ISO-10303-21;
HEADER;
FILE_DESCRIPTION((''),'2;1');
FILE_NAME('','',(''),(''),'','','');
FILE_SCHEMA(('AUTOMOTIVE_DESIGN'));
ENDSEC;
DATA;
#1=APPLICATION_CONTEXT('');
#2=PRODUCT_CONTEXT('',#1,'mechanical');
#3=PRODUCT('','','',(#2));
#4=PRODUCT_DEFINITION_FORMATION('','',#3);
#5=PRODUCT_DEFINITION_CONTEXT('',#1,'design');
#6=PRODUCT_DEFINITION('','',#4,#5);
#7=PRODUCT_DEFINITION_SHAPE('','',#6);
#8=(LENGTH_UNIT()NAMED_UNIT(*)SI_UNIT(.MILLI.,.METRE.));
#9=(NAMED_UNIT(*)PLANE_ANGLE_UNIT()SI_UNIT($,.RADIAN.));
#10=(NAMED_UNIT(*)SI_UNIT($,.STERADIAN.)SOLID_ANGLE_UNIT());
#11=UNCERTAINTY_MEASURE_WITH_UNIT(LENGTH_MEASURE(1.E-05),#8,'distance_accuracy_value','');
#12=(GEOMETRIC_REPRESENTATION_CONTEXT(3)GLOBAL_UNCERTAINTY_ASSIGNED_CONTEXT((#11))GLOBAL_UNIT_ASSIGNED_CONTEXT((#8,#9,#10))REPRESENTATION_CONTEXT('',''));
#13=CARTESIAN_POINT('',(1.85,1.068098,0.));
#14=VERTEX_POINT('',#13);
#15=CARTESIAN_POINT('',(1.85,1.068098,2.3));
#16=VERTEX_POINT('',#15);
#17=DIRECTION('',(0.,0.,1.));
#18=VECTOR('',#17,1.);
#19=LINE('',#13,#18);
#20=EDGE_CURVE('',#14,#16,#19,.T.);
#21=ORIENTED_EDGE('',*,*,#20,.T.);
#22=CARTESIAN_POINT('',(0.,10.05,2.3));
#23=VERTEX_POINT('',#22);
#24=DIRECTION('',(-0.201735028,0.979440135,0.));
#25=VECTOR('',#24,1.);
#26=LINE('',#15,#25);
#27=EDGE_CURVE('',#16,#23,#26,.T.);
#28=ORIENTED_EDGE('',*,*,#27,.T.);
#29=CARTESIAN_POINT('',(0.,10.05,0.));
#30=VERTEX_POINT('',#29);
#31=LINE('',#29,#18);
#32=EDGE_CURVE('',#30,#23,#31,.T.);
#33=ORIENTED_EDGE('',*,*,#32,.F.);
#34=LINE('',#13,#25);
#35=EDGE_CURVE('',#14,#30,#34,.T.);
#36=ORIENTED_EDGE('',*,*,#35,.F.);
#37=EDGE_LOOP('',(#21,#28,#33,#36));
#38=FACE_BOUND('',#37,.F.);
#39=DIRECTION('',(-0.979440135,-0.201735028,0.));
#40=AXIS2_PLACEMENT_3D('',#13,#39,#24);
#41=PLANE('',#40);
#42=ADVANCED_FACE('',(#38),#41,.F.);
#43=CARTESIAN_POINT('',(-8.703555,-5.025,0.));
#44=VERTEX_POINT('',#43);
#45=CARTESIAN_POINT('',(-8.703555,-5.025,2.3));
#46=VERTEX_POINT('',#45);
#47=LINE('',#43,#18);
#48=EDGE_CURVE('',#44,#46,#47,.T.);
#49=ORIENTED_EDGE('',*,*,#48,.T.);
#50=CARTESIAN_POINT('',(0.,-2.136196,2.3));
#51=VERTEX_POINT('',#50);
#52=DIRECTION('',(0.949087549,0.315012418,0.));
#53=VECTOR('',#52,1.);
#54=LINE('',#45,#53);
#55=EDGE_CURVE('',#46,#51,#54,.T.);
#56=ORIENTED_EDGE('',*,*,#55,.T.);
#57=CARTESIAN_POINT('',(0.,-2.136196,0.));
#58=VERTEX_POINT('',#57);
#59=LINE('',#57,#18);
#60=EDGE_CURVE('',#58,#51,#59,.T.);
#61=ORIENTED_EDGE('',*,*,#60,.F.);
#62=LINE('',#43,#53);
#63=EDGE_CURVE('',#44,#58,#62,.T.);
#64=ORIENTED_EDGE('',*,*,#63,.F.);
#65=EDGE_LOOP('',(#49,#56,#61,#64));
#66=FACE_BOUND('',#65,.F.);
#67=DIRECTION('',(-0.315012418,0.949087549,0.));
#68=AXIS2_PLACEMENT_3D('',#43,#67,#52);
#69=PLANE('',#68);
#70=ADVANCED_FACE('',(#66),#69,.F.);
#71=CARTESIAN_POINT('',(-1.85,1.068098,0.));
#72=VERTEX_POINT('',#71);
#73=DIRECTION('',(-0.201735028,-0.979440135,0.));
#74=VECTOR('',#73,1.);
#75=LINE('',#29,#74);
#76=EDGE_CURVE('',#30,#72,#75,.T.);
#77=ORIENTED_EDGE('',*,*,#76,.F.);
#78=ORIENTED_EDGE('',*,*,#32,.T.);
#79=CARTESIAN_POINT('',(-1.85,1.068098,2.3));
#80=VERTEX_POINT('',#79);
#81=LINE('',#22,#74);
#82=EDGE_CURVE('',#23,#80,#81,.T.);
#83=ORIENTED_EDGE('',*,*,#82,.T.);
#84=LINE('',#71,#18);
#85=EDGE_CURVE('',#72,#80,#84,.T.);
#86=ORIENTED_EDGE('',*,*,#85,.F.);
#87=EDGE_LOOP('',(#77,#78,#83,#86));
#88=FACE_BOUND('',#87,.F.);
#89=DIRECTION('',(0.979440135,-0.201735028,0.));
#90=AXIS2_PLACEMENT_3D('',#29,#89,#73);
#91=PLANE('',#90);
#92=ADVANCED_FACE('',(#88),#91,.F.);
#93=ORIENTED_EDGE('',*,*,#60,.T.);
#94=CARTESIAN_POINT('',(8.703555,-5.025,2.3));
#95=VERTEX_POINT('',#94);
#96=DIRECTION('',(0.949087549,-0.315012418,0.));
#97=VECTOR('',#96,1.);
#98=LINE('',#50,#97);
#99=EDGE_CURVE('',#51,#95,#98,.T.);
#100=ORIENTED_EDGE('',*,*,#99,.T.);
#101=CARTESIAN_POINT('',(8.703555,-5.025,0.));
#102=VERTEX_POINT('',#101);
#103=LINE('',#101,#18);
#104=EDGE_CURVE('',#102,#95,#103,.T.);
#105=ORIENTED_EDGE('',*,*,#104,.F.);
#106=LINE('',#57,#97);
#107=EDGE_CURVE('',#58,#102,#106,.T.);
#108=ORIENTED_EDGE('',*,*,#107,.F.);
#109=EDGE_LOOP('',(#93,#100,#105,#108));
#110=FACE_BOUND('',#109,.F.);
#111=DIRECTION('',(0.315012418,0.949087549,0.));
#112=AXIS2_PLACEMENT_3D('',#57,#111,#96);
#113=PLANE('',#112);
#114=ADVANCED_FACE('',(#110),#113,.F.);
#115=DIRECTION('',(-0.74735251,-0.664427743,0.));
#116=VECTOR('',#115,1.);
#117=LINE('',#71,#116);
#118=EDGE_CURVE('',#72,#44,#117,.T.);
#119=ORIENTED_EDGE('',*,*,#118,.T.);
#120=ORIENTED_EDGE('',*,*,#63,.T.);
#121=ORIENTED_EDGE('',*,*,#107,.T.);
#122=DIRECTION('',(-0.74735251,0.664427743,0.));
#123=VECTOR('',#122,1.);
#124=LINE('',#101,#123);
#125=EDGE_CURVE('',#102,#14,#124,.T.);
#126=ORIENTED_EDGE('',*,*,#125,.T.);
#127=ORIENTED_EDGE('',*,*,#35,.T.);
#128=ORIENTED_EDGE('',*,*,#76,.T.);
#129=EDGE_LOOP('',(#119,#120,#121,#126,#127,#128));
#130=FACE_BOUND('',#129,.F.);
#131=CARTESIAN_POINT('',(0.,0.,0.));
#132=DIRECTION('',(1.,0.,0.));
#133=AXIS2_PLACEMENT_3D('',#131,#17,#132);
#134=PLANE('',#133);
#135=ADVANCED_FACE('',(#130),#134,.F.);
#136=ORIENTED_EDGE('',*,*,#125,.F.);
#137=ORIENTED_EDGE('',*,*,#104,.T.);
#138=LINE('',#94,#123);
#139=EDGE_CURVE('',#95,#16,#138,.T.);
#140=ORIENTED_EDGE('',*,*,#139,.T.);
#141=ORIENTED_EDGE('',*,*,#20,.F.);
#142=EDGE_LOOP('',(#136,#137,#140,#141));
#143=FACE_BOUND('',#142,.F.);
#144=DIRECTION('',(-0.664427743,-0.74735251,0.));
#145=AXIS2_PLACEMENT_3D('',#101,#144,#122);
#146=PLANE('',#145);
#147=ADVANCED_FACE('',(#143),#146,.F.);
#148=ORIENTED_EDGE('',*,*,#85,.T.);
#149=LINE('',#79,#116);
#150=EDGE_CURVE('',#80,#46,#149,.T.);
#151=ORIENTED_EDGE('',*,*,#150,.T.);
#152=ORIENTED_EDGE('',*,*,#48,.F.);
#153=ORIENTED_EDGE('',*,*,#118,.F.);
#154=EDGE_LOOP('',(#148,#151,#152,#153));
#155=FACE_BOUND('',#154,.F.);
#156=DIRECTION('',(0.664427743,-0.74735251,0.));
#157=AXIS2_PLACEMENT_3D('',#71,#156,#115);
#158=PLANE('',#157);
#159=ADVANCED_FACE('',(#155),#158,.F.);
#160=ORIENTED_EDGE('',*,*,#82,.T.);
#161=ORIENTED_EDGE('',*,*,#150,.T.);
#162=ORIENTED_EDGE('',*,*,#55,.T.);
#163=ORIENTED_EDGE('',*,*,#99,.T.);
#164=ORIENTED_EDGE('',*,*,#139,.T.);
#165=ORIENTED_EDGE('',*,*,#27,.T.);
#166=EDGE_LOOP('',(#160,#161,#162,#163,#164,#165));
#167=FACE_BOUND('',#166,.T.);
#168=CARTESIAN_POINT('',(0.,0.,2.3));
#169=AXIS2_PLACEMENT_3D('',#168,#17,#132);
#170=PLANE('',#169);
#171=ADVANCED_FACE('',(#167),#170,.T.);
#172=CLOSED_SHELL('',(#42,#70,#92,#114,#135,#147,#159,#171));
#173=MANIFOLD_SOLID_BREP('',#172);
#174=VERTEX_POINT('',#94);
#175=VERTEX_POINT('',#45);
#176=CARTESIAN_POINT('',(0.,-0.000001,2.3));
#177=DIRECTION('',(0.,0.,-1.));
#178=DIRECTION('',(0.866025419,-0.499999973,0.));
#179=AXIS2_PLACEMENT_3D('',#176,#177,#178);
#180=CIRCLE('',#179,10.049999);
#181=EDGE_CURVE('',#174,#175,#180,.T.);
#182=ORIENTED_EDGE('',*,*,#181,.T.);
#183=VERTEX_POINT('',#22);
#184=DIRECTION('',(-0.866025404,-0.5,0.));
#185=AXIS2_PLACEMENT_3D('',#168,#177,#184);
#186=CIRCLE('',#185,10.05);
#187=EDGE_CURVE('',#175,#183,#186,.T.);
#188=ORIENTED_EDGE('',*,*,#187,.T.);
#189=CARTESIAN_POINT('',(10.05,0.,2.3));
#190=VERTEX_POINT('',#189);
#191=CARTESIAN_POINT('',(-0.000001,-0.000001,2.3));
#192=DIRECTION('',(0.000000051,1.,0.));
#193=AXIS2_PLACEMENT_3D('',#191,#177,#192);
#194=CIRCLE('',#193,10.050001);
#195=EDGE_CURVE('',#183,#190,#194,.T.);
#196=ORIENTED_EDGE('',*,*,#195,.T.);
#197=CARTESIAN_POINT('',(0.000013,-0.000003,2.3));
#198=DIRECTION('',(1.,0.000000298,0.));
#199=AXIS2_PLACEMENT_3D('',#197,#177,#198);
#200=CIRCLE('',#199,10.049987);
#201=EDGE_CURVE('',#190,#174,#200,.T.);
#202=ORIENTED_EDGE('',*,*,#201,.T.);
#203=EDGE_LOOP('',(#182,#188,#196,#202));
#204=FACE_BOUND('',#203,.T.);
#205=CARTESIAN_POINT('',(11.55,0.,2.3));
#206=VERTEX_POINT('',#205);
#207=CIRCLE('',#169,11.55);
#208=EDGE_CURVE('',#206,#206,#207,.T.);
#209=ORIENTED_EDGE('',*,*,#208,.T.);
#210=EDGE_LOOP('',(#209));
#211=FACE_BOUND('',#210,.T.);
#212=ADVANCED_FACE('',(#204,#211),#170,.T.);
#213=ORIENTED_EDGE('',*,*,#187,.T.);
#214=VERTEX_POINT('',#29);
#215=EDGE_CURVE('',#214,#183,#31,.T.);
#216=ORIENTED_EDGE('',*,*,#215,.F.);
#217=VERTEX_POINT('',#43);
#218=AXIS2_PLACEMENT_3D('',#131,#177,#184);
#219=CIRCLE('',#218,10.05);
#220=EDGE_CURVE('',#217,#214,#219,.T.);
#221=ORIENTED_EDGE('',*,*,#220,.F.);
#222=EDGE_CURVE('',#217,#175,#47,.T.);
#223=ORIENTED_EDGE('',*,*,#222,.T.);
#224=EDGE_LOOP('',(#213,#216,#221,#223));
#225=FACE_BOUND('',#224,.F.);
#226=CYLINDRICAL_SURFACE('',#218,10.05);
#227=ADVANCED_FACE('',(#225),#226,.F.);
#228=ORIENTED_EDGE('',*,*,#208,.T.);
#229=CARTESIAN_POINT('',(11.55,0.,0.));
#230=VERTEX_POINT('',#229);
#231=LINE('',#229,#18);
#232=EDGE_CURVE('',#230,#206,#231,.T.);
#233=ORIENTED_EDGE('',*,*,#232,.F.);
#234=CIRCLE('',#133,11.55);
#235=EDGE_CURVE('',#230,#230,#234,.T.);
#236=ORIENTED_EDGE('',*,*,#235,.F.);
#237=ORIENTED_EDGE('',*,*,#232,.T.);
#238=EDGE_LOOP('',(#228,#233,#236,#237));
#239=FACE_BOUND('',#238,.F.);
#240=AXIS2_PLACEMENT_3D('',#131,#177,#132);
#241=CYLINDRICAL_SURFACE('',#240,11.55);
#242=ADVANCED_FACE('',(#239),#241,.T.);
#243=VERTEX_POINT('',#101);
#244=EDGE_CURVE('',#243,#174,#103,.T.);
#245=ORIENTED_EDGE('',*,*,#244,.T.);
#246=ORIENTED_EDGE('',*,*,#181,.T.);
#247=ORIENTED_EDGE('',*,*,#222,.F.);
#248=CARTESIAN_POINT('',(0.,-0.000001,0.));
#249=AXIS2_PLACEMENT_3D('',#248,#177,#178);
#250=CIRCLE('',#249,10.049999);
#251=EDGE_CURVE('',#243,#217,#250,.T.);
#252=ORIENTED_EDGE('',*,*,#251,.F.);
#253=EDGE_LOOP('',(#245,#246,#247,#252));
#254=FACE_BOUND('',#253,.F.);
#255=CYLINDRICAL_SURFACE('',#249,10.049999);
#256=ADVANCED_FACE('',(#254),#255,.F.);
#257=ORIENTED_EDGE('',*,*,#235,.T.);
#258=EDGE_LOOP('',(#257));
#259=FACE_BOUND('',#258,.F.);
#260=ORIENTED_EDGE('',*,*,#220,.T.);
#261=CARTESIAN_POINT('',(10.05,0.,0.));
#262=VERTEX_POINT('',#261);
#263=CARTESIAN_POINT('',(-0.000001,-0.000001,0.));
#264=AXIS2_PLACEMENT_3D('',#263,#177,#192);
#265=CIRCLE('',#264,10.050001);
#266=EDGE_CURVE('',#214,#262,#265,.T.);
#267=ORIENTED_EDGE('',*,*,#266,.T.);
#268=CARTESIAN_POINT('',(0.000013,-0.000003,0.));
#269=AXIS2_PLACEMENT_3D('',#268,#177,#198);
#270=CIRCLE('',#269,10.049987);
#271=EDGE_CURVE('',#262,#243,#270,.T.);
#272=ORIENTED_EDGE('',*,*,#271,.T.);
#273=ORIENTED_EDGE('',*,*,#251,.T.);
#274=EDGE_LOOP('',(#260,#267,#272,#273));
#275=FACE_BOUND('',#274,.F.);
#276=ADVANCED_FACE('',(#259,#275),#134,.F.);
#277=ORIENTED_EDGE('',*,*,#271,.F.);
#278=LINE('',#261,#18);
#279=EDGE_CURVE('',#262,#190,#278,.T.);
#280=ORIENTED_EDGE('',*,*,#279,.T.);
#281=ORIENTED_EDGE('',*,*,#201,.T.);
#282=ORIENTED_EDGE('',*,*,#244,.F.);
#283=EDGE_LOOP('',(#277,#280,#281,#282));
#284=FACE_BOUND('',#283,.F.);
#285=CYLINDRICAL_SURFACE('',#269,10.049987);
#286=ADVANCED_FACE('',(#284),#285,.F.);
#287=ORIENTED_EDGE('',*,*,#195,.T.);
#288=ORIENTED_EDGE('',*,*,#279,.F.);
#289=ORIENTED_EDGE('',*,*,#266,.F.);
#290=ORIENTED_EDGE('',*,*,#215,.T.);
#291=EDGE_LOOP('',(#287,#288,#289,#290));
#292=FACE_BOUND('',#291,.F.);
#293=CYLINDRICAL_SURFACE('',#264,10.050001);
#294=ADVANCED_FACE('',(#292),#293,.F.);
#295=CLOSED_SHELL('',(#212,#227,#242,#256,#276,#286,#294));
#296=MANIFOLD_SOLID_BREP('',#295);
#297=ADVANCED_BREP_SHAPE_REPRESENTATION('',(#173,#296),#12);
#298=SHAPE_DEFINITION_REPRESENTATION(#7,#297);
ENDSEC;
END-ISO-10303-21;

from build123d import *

# Parameters (mm, degrees)
F0_R     = 11.55
F1_DEPTH = 2.3


with BuildPart() as f1:
    # F0 (on Top) → F1 (new body)
    with BuildSketch(Plane.XY):
        Circle(F0_R)
        with BuildLine():
            ThreePointArc((0, 10.05), (7.106423, 7.106423), (10.05, 0))
            ThreePointArc((10.05, 0), (9.707555, -2.601131), (8.703555, -5.025))
            ThreePointArc((8.703555, -5.025), (0, -10.05), (-8.703555, -5.025))
            ThreePointArc((-8.703555, -5.025), (-8.703555, 5.025), (0, 10.05))
        make_face(mode=Mode.SUBTRACT)
        Polygon((1.85, 1.068098), (0, 10.05), (-1.85, 1.068098), (-8.703555, -5.025), (0, -2.136196), (8.703555, -5.025), align=None)
    extrude(amount=F1_DEPTH)


solid = f1.part
